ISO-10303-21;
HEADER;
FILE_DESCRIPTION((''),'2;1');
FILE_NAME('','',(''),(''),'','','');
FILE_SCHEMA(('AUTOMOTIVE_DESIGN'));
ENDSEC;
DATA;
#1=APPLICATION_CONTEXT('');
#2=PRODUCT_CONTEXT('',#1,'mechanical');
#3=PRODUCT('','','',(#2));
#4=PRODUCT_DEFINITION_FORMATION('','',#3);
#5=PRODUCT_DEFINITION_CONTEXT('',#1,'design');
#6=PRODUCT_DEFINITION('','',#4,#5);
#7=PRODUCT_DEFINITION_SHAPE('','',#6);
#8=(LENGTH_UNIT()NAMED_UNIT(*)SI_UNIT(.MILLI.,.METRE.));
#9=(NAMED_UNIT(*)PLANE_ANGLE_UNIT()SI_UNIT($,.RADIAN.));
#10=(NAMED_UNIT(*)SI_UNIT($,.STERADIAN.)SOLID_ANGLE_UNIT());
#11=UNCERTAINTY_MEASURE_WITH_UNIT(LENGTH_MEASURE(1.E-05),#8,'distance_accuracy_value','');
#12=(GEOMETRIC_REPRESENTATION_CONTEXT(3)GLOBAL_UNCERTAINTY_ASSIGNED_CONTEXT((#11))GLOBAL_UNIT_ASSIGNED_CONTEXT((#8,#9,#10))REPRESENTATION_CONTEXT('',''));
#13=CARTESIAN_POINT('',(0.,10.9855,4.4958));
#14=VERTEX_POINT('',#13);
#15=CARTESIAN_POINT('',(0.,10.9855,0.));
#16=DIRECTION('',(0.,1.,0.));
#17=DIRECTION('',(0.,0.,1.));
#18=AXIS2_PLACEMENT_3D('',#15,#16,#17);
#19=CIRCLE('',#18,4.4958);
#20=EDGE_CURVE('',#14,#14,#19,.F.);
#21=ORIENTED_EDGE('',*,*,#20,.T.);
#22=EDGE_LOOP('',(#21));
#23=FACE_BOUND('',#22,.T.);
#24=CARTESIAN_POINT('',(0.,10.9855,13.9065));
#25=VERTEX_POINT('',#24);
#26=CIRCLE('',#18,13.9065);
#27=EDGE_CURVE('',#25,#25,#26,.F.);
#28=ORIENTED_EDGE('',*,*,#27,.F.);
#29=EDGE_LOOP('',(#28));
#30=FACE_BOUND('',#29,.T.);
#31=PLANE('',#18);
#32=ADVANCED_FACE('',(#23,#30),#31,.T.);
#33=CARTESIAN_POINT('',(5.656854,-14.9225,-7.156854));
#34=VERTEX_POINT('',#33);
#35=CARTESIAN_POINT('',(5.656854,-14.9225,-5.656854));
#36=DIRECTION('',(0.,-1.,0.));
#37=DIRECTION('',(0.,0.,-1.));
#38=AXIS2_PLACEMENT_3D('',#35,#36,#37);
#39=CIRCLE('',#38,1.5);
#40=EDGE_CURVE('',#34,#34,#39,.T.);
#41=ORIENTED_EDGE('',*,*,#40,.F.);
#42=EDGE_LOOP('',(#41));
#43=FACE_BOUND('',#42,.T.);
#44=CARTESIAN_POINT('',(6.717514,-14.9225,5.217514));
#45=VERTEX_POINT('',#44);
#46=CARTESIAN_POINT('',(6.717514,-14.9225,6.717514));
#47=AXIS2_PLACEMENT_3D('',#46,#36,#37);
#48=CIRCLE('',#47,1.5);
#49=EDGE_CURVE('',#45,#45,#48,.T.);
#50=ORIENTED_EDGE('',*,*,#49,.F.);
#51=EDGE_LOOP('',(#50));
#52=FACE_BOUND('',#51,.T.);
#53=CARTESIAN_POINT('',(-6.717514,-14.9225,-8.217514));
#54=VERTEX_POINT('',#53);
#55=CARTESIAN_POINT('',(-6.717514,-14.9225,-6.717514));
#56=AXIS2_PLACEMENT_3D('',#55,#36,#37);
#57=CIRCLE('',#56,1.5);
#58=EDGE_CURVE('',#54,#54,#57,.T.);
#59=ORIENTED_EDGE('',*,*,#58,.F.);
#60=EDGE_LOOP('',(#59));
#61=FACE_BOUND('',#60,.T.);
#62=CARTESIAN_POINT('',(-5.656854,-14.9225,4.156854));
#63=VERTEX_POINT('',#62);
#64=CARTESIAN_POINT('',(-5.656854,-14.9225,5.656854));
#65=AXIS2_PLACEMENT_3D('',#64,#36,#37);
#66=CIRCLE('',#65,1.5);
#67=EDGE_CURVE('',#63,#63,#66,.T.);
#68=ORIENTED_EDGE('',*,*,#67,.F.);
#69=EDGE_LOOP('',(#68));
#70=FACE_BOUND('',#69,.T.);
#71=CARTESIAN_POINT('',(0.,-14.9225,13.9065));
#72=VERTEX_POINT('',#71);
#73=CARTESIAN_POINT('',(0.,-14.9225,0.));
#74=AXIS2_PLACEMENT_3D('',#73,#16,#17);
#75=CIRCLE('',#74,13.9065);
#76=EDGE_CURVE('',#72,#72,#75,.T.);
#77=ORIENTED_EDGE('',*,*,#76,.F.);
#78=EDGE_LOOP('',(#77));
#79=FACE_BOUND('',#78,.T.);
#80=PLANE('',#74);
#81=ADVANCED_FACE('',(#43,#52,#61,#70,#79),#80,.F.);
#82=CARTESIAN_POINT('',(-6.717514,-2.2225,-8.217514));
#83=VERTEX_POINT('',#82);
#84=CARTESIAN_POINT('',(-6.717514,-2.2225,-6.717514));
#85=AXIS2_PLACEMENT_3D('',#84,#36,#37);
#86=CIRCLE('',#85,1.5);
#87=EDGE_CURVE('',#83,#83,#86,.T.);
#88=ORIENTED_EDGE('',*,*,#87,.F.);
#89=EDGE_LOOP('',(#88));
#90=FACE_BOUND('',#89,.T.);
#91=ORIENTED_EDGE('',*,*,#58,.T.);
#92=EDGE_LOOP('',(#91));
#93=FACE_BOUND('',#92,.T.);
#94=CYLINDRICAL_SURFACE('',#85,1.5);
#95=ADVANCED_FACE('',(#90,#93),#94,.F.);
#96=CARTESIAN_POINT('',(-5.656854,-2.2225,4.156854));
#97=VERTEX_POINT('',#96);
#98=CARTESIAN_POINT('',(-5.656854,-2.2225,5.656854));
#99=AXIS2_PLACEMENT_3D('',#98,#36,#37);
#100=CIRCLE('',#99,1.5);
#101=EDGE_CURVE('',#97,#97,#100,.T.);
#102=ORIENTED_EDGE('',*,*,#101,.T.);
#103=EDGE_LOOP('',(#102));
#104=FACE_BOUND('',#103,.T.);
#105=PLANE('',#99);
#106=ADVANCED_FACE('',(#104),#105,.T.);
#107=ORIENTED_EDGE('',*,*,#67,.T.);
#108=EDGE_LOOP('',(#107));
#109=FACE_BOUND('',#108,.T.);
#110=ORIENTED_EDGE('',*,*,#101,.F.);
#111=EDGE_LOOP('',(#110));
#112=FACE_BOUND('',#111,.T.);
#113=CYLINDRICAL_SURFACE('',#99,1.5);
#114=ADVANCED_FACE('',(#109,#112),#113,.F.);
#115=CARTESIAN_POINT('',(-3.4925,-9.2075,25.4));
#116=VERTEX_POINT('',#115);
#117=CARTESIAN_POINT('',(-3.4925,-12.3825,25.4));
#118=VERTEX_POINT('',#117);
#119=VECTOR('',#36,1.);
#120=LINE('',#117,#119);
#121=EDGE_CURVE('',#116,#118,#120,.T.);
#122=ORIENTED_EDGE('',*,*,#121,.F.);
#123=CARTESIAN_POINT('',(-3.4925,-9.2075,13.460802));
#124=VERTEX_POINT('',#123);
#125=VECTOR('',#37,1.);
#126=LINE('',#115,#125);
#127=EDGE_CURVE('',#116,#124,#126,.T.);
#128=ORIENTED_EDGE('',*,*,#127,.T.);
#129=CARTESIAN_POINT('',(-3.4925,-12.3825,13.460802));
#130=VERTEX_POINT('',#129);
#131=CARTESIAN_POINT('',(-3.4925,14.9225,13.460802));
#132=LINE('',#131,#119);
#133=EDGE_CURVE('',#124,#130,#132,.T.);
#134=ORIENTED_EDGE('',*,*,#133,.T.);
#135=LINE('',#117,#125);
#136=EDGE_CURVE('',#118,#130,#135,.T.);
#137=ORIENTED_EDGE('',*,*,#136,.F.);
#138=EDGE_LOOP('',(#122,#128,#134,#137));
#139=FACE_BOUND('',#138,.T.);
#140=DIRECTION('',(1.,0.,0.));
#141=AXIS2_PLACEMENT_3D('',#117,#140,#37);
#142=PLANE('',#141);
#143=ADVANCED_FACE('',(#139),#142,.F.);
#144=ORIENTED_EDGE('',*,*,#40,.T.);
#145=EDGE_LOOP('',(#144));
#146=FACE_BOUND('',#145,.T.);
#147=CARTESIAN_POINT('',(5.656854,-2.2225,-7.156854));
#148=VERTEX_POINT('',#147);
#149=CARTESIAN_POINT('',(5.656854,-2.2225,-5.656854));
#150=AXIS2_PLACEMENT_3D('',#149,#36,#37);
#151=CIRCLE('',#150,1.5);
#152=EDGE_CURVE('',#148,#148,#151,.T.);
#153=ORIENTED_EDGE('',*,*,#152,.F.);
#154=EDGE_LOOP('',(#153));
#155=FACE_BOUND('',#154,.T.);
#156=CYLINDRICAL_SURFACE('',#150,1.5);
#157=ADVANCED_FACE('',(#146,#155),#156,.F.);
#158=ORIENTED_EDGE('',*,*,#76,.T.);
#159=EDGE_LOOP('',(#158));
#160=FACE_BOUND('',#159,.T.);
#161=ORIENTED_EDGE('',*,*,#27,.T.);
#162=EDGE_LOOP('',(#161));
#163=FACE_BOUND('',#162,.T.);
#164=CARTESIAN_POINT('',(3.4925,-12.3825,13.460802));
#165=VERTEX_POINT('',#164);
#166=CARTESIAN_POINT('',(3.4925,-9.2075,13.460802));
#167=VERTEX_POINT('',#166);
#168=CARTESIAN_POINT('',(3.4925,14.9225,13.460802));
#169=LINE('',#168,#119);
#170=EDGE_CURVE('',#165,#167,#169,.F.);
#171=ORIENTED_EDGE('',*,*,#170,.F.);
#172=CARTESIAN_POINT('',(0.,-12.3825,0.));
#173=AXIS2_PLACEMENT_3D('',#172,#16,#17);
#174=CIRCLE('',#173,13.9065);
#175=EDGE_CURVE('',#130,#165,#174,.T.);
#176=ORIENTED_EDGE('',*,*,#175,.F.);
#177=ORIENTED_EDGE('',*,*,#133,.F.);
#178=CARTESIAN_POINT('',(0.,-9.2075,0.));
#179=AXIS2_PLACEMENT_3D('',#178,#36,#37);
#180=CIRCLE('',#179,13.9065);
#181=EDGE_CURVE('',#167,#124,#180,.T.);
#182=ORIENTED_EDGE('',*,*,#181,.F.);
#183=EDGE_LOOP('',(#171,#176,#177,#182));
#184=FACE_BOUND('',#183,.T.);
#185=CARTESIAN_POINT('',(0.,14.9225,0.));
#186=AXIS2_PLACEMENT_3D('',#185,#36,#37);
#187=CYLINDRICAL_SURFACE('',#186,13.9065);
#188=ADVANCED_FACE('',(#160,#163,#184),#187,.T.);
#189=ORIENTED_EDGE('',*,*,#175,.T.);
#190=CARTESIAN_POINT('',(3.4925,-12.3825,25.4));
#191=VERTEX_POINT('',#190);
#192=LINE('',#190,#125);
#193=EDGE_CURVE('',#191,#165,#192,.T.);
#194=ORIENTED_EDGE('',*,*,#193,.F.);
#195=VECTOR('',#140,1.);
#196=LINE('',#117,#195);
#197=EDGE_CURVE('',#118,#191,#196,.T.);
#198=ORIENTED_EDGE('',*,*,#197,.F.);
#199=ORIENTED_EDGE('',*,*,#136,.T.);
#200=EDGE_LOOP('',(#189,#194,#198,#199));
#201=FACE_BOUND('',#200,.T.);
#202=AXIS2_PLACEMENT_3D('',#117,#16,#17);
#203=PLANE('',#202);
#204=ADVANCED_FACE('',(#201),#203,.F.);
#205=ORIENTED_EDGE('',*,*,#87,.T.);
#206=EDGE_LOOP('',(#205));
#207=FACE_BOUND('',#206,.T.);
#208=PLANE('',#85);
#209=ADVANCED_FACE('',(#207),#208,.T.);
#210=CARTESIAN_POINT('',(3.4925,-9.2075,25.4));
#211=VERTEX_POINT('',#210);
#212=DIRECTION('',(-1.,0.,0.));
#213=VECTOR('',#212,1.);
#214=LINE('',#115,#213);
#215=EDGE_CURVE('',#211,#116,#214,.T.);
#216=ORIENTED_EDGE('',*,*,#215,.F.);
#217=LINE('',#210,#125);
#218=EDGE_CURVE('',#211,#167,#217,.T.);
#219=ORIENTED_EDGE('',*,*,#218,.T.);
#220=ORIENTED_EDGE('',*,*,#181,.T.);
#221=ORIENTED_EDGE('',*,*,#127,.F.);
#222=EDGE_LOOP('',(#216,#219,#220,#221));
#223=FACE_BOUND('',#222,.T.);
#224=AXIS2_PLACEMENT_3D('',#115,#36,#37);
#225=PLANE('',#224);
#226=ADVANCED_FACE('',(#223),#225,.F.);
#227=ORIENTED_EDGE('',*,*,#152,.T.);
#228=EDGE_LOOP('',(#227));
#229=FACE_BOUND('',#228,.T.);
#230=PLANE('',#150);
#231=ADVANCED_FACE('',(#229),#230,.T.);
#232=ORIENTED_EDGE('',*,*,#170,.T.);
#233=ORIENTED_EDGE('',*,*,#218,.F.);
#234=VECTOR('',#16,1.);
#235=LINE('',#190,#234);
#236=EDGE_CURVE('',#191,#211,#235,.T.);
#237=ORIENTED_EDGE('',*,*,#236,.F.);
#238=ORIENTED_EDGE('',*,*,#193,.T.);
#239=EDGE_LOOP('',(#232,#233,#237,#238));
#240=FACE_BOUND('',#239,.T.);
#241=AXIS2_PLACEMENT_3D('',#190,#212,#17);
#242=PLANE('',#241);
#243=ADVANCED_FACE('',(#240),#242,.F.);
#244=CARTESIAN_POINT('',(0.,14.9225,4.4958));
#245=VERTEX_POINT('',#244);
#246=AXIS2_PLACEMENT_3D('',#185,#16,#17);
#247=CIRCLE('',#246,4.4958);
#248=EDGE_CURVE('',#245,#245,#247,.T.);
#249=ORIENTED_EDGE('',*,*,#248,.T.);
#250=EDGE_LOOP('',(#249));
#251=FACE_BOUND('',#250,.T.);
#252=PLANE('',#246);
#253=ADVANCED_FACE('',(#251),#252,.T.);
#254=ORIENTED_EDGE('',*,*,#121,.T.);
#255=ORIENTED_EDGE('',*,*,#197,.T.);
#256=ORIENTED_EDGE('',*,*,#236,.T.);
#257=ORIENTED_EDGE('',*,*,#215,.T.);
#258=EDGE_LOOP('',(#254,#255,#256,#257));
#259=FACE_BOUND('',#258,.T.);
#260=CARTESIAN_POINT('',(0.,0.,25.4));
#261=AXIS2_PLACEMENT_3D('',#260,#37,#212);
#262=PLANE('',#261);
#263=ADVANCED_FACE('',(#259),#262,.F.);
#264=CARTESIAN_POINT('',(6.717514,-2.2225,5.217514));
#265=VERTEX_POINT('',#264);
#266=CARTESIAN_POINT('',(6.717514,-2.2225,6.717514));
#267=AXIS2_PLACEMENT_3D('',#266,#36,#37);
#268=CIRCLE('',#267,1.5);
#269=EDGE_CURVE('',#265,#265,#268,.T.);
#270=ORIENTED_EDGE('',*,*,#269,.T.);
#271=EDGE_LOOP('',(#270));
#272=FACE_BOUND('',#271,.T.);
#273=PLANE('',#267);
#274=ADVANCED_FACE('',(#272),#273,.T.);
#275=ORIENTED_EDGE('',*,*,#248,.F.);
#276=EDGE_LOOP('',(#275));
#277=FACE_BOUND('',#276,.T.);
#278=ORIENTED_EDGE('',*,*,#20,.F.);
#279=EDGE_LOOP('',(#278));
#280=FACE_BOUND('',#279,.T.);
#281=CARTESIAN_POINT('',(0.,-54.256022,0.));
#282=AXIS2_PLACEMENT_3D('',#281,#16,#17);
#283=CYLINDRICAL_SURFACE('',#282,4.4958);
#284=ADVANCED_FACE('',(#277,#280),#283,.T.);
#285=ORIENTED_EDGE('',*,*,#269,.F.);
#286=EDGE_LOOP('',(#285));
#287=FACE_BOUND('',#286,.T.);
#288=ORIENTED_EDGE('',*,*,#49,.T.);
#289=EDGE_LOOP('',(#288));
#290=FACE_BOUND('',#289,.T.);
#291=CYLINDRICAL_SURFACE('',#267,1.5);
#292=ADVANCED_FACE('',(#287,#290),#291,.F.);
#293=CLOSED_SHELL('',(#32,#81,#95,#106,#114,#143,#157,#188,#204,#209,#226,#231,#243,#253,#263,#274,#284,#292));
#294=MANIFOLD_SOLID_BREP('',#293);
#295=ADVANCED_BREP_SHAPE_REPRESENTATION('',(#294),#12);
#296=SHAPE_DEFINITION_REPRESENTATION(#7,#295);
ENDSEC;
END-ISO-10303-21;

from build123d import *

# Parameters (mm, degrees)
SKETCH1_R           = 13.9065
BOSS_EXTRUDE1_DEPTH = 14.9225
SKETCH2_R           = 13.9065
SKETCH2_R_2         = 4.4958
CUT_EXTRUDE1_DEPTH  = 3.937
SKETCH3_W           = 6.985
SKETCH3_H           = 3.175
BOSS_EXTRUDE2_DEPTH = 25.4
SKETCH4_R           = 1.5
CUT_EXTRUDE2_DEPTH  = 12.7


with BuildPart() as part:
    # Sketch1 → Boss-Extrude1 (new body, symmetric)
    with BuildSketch(Plane(origin=(0, 0, 0), x_dir=(1, 0, 0), z_dir=(0, 1, 0))):
        Circle(SKETCH1_R)
    extrude(amount=BOSS_EXTRUDE1_DEPTH, both=True)

    # Sketch2 → Cut-Extrude1 (cut)
    with BuildSketch(Plane(origin=(0, 14.9225, 0), x_dir=(1, 0, 0), z_dir=(0, 1, 0))):
        Circle(SKETCH2_R)
        Circle(SKETCH2_R_2, mode=Mode.SUBTRACT)
    extrude(amount=-CUT_EXTRUDE1_DEPTH, mode=Mode.SUBTRACT)

    # Sketch3 → Boss-Extrude2 (add)
    with BuildSketch(Plane.XY):
        with Locations((0, -10.795)):
            Rectangle(SKETCH3_W, SKETCH3_H)
    extrude(amount=BOSS_EXTRUDE2_DEPTH)

    # Sketch4 → Cut-Extrude2 (cut)
    with BuildSketch(Plane.XZ.offset(14.9225)):
        with Locations((-5.656854249, 5.656854249)):
            Circle(SKETCH4_R)
        with Locations((6.717514421, 6.717514421)):
            Circle(SKETCH4_R)
        with Locations((5.656854249, -5.656854249)):
            Circle(SKETCH4_R)
        with Locations((-6.717514421, -6.717514421)):
            Circle(SKETCH4_R)
    extrude(amount=-CUT_EXTRUDE2_DEPTH, mode=Mode.SUBTRACT)


solid = part.part
